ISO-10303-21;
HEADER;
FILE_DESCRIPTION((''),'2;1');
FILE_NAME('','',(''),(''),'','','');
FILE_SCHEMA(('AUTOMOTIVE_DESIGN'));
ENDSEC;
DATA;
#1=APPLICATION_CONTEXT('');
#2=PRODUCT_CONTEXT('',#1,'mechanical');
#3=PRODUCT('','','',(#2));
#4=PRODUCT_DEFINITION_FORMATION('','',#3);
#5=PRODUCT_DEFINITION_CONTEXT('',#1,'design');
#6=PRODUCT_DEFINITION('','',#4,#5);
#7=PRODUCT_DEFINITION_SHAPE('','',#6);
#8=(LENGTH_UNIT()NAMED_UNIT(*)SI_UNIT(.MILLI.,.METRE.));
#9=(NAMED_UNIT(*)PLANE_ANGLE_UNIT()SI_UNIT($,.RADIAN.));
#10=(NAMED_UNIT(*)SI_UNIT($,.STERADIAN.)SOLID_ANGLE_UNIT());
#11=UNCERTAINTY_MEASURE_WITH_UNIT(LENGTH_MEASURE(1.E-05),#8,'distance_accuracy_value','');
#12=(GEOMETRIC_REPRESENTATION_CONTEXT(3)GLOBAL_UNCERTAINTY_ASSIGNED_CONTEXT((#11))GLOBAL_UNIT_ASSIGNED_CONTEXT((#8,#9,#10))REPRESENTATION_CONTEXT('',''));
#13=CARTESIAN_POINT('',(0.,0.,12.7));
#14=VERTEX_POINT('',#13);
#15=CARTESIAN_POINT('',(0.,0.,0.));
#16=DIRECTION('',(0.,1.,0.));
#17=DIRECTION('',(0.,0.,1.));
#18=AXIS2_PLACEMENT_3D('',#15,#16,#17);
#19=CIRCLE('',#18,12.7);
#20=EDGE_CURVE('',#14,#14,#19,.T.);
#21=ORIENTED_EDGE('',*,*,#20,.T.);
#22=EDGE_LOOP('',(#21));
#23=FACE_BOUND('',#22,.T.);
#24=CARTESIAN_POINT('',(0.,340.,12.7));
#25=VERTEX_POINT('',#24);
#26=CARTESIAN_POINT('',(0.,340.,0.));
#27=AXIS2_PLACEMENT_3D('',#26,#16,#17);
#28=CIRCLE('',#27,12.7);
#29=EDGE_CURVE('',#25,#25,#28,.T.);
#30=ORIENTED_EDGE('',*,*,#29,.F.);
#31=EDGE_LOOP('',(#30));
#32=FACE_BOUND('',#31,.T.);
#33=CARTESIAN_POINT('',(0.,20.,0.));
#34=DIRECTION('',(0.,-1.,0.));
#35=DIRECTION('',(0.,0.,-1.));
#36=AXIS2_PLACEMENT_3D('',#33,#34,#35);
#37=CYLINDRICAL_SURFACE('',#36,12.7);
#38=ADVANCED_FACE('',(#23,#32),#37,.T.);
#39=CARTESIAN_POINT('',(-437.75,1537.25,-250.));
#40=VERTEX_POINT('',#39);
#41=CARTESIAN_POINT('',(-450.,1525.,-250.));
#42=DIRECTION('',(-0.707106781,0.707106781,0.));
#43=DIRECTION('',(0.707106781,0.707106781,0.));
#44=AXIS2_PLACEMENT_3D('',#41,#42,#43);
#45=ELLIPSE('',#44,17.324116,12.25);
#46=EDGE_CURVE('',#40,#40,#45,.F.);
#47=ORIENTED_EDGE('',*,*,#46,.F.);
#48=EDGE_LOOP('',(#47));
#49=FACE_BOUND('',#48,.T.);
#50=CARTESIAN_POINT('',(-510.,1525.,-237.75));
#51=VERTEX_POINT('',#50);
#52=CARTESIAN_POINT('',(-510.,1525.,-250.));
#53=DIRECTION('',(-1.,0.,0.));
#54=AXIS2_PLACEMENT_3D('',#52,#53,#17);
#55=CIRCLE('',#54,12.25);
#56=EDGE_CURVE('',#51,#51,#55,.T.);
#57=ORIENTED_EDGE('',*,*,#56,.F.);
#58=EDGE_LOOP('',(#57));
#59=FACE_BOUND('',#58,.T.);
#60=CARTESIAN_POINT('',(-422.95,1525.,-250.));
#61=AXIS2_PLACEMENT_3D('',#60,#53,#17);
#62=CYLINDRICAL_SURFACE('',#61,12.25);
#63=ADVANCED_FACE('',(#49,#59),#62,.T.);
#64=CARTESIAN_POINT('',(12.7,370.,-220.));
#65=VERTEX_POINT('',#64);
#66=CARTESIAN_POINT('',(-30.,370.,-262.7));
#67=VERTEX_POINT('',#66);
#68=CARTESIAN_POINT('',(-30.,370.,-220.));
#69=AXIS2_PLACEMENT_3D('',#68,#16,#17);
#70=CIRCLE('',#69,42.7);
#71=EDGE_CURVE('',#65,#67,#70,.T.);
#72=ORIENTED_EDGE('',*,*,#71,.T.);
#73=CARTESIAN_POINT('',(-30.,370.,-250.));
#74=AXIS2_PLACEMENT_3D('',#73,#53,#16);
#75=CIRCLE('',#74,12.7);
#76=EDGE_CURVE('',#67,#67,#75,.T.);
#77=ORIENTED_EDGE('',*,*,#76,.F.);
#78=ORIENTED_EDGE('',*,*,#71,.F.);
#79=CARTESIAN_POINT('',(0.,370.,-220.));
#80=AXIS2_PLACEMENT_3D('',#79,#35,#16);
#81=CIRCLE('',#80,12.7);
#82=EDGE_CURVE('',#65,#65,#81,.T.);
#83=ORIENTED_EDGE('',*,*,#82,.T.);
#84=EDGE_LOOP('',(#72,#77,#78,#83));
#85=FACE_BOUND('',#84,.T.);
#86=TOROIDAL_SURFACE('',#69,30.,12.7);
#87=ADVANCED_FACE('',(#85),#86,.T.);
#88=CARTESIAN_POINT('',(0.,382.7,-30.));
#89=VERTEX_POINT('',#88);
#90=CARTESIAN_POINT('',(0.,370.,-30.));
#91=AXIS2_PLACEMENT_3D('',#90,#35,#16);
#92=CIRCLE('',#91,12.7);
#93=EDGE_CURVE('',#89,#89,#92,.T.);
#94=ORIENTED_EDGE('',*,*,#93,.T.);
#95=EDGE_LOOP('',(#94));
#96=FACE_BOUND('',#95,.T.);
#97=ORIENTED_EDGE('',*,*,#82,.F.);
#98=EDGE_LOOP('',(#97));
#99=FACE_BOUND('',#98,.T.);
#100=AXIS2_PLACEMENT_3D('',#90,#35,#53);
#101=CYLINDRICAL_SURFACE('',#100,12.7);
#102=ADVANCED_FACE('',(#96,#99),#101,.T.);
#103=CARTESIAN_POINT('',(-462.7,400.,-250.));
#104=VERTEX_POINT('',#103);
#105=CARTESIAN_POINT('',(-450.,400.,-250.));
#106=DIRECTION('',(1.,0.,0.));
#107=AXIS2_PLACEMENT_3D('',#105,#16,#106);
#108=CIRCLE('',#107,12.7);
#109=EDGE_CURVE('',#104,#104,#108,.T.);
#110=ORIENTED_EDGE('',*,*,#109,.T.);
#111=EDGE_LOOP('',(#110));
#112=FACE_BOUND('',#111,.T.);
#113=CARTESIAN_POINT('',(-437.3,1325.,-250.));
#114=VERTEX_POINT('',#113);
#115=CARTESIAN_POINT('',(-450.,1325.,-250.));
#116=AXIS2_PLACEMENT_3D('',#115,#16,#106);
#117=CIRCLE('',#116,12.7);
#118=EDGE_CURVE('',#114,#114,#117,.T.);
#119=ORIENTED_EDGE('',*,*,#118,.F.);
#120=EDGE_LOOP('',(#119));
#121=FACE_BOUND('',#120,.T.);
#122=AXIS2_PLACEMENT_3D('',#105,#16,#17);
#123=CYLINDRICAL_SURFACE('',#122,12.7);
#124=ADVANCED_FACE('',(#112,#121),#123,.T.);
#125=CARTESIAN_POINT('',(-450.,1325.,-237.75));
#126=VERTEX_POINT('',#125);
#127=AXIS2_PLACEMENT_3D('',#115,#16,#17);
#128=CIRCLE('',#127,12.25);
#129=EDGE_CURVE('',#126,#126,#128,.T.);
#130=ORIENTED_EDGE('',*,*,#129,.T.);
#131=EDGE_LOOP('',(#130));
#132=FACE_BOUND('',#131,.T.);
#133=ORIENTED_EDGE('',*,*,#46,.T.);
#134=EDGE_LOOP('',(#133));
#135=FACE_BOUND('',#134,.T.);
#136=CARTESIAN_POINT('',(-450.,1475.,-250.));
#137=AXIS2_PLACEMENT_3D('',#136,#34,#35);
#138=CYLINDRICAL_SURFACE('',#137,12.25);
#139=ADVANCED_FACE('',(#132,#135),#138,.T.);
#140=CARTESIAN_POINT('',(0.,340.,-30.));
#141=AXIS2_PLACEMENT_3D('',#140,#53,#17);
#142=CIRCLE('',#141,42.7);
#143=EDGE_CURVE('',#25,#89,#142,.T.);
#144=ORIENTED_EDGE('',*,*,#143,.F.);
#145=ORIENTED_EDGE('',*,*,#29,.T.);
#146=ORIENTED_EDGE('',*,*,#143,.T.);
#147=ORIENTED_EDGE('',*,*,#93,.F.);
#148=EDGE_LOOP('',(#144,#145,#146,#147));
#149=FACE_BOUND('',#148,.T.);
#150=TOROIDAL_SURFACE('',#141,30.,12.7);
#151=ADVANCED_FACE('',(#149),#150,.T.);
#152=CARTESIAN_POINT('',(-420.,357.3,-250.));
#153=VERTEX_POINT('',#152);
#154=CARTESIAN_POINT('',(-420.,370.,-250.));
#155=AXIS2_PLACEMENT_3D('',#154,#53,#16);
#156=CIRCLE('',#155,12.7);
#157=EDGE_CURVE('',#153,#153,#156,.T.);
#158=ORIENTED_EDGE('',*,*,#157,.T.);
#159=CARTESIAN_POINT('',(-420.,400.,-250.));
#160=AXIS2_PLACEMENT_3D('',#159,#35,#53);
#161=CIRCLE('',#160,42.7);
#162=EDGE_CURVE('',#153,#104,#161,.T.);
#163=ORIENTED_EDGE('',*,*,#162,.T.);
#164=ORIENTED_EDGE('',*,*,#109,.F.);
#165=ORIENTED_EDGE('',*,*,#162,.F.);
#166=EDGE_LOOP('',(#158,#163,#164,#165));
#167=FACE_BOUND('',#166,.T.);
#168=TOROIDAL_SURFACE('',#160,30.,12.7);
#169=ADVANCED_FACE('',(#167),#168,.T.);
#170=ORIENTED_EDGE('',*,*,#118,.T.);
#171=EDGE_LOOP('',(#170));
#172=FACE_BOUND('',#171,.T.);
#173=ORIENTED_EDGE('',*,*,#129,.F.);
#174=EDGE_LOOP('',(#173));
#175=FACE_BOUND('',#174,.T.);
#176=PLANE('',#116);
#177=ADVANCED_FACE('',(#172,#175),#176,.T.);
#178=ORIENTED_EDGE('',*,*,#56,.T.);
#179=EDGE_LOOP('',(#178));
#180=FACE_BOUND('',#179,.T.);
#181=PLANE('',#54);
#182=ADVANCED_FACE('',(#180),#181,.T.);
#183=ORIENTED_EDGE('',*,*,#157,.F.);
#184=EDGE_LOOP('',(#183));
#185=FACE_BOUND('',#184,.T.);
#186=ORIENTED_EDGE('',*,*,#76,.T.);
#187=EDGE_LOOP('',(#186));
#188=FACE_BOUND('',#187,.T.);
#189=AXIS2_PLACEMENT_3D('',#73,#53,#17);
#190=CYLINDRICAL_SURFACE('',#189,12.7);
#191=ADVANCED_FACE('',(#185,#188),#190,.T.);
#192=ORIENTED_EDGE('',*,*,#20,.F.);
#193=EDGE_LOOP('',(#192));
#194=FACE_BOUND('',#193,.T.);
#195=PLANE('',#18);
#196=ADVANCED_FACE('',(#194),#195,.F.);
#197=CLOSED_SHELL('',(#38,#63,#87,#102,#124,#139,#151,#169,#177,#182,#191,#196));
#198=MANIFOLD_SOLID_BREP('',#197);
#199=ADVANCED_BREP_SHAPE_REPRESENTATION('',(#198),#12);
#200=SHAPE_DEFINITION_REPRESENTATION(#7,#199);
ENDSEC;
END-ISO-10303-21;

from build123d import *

# Parameters (mm, degrees)
CROQUIS1_R              = 12.7
SALIENTE_EXTRUIR1_DEPTH = 20
CROQUIS2_R              = 12.7
CROQUIS3_R              = 12.25
SALIENTE_EXTRUIR2_DEPTH = 150
CROQUIS4_R              = 12.25


with BuildPart() as part:
    # Croquis1 → Saliente-Extruir1 (new body)
    with BuildSketch(Plane(origin=(0, 0, 0), x_dir=(1, 0, 0), z_dir=(0, 1, 0))):
        with Locations(Location((0, 0, 0), (0, 0, 270))):
            Circle(CROQUIS1_R)
    extrude(amount=SALIENTE_EXTRUIR1_DEPTH)

    # Barrer1: sweep along a curve in space
    with BuildLine() as barrer1_path:
        Line((0, 20, 0), (0, 340, 0))
        ThreePointArc((0, 340, 0), (0, 361.213203436, -8.786796564), (0, 370, -30))
        Line((0, 370, -30), (0, 370, -220))
        ThreePointArc((0, 370, -220), (-8.786796564, 370, -241.213203436), (-30, 370, -250))
        Line((-30, 370, -250), (-420, 370, -250))
        ThreePointArc((-420, 370, -250), (-441.213203436, 378.786796564, -250), (-450, 400, -250))
        Line((-450, 400, -250), (-450, 1325, -250))
    # Croquis2 → Barrer1 (sweep)
    with BuildSketch(Plane(origin=(0, 20, 0), x_dir=(1, 0, 0), z_dir=(0, 1, 0))):
        Circle(CROQUIS2_R)
    sweep(path=barrer1_path.line)

    # Croquis3 → Saliente-Extruir2 (add)
    with BuildSketch(Plane(origin=(0, 1325, 0), x_dir=(1, 0, 0), z_dir=(0, 1, 0))):
        with Locations(Location((-450, 250, 0), (0, 0, 270))):
            Circle(CROQUIS3_R)
    extrude(amount=SALIENTE_EXTRUIR2_DEPTH)

    # Barrer2: sweep along a curve in space
    with BuildLine() as barrer2_path:
        Line((-450, 1475, -250), (-450, 1525, -250))
        Line((-450, 1525, -250), (-510, 1525, -250))
    # Croquis4 → Barrer2 (sweep)
    with BuildSketch(Plane(origin=(0, 1475, 0), x_dir=(1, 0, 0), z_dir=(0, 1, 0))):
        with Locations((-450, 250)):
            Circle(CROQUIS4_R)
    sweep(path=barrer2_path.line, transition=Transition.RIGHT)


solid = part.part
